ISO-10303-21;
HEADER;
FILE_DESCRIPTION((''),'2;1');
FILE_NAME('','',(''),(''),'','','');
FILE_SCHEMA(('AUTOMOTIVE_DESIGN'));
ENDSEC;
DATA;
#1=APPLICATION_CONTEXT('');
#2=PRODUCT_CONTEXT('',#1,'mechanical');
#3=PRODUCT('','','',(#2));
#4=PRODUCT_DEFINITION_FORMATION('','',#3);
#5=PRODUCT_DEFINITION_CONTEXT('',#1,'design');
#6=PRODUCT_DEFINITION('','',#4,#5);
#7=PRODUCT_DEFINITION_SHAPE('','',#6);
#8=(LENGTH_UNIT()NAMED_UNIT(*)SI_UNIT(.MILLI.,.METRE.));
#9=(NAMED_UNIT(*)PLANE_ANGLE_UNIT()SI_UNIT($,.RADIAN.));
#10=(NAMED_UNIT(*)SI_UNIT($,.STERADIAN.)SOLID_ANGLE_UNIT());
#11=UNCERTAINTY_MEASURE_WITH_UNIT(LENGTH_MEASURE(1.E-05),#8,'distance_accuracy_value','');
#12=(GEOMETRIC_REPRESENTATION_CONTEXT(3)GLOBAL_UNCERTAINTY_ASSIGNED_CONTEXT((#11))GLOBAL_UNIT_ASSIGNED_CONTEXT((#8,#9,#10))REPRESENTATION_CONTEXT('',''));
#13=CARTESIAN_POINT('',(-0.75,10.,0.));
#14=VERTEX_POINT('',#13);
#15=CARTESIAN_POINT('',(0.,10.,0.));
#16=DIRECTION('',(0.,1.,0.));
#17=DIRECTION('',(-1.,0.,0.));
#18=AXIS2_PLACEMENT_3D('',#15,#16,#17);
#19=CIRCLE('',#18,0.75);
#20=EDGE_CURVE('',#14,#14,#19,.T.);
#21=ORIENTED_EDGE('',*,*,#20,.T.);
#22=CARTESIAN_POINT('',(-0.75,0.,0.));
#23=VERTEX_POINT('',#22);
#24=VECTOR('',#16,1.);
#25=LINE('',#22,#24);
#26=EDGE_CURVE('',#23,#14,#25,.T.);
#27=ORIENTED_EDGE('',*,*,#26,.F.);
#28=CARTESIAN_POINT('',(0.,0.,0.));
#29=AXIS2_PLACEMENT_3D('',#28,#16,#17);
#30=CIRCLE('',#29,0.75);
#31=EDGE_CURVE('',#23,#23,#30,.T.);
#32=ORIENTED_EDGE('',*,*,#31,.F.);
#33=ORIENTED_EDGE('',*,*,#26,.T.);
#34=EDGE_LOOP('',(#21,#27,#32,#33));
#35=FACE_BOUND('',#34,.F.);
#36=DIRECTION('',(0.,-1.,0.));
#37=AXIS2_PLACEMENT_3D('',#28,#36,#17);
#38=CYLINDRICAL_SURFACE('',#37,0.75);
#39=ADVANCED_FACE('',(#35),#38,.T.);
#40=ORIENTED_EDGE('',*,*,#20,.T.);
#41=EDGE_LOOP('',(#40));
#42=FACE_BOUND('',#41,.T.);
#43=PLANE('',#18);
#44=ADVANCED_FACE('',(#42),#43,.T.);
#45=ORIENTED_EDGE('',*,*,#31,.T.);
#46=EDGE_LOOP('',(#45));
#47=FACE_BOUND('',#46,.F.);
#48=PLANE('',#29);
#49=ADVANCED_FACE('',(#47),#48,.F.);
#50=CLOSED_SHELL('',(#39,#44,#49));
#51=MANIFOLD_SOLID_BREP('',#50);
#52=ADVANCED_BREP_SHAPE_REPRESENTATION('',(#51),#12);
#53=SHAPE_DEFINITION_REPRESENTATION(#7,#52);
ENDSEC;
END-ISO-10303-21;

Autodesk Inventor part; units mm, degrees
ref_plane "YZ Plane" through (0, 0, 0) normal (1, 0, 0) x (0, 1, 0)
ref_plane "XZ Plane" through (0, 0, 0) normal (0, 1, 0) x (-1, 0, 0)
ref_plane "XY Plane" through (0, 0, 0) normal (0, 0, 1) x (1, 0, 0)
sketch "Sketch1" plane through (0, 0, 0) normal (0, 1, 0) x (-1, 0, 0)
  circle A0 centre (0, 0) radius 0.75
  dimension "d0" = 1.5
extrude "Extrusion1" add sketch "Sketch1" along normal blind 10
properties part number "Pencil Tip 2"
